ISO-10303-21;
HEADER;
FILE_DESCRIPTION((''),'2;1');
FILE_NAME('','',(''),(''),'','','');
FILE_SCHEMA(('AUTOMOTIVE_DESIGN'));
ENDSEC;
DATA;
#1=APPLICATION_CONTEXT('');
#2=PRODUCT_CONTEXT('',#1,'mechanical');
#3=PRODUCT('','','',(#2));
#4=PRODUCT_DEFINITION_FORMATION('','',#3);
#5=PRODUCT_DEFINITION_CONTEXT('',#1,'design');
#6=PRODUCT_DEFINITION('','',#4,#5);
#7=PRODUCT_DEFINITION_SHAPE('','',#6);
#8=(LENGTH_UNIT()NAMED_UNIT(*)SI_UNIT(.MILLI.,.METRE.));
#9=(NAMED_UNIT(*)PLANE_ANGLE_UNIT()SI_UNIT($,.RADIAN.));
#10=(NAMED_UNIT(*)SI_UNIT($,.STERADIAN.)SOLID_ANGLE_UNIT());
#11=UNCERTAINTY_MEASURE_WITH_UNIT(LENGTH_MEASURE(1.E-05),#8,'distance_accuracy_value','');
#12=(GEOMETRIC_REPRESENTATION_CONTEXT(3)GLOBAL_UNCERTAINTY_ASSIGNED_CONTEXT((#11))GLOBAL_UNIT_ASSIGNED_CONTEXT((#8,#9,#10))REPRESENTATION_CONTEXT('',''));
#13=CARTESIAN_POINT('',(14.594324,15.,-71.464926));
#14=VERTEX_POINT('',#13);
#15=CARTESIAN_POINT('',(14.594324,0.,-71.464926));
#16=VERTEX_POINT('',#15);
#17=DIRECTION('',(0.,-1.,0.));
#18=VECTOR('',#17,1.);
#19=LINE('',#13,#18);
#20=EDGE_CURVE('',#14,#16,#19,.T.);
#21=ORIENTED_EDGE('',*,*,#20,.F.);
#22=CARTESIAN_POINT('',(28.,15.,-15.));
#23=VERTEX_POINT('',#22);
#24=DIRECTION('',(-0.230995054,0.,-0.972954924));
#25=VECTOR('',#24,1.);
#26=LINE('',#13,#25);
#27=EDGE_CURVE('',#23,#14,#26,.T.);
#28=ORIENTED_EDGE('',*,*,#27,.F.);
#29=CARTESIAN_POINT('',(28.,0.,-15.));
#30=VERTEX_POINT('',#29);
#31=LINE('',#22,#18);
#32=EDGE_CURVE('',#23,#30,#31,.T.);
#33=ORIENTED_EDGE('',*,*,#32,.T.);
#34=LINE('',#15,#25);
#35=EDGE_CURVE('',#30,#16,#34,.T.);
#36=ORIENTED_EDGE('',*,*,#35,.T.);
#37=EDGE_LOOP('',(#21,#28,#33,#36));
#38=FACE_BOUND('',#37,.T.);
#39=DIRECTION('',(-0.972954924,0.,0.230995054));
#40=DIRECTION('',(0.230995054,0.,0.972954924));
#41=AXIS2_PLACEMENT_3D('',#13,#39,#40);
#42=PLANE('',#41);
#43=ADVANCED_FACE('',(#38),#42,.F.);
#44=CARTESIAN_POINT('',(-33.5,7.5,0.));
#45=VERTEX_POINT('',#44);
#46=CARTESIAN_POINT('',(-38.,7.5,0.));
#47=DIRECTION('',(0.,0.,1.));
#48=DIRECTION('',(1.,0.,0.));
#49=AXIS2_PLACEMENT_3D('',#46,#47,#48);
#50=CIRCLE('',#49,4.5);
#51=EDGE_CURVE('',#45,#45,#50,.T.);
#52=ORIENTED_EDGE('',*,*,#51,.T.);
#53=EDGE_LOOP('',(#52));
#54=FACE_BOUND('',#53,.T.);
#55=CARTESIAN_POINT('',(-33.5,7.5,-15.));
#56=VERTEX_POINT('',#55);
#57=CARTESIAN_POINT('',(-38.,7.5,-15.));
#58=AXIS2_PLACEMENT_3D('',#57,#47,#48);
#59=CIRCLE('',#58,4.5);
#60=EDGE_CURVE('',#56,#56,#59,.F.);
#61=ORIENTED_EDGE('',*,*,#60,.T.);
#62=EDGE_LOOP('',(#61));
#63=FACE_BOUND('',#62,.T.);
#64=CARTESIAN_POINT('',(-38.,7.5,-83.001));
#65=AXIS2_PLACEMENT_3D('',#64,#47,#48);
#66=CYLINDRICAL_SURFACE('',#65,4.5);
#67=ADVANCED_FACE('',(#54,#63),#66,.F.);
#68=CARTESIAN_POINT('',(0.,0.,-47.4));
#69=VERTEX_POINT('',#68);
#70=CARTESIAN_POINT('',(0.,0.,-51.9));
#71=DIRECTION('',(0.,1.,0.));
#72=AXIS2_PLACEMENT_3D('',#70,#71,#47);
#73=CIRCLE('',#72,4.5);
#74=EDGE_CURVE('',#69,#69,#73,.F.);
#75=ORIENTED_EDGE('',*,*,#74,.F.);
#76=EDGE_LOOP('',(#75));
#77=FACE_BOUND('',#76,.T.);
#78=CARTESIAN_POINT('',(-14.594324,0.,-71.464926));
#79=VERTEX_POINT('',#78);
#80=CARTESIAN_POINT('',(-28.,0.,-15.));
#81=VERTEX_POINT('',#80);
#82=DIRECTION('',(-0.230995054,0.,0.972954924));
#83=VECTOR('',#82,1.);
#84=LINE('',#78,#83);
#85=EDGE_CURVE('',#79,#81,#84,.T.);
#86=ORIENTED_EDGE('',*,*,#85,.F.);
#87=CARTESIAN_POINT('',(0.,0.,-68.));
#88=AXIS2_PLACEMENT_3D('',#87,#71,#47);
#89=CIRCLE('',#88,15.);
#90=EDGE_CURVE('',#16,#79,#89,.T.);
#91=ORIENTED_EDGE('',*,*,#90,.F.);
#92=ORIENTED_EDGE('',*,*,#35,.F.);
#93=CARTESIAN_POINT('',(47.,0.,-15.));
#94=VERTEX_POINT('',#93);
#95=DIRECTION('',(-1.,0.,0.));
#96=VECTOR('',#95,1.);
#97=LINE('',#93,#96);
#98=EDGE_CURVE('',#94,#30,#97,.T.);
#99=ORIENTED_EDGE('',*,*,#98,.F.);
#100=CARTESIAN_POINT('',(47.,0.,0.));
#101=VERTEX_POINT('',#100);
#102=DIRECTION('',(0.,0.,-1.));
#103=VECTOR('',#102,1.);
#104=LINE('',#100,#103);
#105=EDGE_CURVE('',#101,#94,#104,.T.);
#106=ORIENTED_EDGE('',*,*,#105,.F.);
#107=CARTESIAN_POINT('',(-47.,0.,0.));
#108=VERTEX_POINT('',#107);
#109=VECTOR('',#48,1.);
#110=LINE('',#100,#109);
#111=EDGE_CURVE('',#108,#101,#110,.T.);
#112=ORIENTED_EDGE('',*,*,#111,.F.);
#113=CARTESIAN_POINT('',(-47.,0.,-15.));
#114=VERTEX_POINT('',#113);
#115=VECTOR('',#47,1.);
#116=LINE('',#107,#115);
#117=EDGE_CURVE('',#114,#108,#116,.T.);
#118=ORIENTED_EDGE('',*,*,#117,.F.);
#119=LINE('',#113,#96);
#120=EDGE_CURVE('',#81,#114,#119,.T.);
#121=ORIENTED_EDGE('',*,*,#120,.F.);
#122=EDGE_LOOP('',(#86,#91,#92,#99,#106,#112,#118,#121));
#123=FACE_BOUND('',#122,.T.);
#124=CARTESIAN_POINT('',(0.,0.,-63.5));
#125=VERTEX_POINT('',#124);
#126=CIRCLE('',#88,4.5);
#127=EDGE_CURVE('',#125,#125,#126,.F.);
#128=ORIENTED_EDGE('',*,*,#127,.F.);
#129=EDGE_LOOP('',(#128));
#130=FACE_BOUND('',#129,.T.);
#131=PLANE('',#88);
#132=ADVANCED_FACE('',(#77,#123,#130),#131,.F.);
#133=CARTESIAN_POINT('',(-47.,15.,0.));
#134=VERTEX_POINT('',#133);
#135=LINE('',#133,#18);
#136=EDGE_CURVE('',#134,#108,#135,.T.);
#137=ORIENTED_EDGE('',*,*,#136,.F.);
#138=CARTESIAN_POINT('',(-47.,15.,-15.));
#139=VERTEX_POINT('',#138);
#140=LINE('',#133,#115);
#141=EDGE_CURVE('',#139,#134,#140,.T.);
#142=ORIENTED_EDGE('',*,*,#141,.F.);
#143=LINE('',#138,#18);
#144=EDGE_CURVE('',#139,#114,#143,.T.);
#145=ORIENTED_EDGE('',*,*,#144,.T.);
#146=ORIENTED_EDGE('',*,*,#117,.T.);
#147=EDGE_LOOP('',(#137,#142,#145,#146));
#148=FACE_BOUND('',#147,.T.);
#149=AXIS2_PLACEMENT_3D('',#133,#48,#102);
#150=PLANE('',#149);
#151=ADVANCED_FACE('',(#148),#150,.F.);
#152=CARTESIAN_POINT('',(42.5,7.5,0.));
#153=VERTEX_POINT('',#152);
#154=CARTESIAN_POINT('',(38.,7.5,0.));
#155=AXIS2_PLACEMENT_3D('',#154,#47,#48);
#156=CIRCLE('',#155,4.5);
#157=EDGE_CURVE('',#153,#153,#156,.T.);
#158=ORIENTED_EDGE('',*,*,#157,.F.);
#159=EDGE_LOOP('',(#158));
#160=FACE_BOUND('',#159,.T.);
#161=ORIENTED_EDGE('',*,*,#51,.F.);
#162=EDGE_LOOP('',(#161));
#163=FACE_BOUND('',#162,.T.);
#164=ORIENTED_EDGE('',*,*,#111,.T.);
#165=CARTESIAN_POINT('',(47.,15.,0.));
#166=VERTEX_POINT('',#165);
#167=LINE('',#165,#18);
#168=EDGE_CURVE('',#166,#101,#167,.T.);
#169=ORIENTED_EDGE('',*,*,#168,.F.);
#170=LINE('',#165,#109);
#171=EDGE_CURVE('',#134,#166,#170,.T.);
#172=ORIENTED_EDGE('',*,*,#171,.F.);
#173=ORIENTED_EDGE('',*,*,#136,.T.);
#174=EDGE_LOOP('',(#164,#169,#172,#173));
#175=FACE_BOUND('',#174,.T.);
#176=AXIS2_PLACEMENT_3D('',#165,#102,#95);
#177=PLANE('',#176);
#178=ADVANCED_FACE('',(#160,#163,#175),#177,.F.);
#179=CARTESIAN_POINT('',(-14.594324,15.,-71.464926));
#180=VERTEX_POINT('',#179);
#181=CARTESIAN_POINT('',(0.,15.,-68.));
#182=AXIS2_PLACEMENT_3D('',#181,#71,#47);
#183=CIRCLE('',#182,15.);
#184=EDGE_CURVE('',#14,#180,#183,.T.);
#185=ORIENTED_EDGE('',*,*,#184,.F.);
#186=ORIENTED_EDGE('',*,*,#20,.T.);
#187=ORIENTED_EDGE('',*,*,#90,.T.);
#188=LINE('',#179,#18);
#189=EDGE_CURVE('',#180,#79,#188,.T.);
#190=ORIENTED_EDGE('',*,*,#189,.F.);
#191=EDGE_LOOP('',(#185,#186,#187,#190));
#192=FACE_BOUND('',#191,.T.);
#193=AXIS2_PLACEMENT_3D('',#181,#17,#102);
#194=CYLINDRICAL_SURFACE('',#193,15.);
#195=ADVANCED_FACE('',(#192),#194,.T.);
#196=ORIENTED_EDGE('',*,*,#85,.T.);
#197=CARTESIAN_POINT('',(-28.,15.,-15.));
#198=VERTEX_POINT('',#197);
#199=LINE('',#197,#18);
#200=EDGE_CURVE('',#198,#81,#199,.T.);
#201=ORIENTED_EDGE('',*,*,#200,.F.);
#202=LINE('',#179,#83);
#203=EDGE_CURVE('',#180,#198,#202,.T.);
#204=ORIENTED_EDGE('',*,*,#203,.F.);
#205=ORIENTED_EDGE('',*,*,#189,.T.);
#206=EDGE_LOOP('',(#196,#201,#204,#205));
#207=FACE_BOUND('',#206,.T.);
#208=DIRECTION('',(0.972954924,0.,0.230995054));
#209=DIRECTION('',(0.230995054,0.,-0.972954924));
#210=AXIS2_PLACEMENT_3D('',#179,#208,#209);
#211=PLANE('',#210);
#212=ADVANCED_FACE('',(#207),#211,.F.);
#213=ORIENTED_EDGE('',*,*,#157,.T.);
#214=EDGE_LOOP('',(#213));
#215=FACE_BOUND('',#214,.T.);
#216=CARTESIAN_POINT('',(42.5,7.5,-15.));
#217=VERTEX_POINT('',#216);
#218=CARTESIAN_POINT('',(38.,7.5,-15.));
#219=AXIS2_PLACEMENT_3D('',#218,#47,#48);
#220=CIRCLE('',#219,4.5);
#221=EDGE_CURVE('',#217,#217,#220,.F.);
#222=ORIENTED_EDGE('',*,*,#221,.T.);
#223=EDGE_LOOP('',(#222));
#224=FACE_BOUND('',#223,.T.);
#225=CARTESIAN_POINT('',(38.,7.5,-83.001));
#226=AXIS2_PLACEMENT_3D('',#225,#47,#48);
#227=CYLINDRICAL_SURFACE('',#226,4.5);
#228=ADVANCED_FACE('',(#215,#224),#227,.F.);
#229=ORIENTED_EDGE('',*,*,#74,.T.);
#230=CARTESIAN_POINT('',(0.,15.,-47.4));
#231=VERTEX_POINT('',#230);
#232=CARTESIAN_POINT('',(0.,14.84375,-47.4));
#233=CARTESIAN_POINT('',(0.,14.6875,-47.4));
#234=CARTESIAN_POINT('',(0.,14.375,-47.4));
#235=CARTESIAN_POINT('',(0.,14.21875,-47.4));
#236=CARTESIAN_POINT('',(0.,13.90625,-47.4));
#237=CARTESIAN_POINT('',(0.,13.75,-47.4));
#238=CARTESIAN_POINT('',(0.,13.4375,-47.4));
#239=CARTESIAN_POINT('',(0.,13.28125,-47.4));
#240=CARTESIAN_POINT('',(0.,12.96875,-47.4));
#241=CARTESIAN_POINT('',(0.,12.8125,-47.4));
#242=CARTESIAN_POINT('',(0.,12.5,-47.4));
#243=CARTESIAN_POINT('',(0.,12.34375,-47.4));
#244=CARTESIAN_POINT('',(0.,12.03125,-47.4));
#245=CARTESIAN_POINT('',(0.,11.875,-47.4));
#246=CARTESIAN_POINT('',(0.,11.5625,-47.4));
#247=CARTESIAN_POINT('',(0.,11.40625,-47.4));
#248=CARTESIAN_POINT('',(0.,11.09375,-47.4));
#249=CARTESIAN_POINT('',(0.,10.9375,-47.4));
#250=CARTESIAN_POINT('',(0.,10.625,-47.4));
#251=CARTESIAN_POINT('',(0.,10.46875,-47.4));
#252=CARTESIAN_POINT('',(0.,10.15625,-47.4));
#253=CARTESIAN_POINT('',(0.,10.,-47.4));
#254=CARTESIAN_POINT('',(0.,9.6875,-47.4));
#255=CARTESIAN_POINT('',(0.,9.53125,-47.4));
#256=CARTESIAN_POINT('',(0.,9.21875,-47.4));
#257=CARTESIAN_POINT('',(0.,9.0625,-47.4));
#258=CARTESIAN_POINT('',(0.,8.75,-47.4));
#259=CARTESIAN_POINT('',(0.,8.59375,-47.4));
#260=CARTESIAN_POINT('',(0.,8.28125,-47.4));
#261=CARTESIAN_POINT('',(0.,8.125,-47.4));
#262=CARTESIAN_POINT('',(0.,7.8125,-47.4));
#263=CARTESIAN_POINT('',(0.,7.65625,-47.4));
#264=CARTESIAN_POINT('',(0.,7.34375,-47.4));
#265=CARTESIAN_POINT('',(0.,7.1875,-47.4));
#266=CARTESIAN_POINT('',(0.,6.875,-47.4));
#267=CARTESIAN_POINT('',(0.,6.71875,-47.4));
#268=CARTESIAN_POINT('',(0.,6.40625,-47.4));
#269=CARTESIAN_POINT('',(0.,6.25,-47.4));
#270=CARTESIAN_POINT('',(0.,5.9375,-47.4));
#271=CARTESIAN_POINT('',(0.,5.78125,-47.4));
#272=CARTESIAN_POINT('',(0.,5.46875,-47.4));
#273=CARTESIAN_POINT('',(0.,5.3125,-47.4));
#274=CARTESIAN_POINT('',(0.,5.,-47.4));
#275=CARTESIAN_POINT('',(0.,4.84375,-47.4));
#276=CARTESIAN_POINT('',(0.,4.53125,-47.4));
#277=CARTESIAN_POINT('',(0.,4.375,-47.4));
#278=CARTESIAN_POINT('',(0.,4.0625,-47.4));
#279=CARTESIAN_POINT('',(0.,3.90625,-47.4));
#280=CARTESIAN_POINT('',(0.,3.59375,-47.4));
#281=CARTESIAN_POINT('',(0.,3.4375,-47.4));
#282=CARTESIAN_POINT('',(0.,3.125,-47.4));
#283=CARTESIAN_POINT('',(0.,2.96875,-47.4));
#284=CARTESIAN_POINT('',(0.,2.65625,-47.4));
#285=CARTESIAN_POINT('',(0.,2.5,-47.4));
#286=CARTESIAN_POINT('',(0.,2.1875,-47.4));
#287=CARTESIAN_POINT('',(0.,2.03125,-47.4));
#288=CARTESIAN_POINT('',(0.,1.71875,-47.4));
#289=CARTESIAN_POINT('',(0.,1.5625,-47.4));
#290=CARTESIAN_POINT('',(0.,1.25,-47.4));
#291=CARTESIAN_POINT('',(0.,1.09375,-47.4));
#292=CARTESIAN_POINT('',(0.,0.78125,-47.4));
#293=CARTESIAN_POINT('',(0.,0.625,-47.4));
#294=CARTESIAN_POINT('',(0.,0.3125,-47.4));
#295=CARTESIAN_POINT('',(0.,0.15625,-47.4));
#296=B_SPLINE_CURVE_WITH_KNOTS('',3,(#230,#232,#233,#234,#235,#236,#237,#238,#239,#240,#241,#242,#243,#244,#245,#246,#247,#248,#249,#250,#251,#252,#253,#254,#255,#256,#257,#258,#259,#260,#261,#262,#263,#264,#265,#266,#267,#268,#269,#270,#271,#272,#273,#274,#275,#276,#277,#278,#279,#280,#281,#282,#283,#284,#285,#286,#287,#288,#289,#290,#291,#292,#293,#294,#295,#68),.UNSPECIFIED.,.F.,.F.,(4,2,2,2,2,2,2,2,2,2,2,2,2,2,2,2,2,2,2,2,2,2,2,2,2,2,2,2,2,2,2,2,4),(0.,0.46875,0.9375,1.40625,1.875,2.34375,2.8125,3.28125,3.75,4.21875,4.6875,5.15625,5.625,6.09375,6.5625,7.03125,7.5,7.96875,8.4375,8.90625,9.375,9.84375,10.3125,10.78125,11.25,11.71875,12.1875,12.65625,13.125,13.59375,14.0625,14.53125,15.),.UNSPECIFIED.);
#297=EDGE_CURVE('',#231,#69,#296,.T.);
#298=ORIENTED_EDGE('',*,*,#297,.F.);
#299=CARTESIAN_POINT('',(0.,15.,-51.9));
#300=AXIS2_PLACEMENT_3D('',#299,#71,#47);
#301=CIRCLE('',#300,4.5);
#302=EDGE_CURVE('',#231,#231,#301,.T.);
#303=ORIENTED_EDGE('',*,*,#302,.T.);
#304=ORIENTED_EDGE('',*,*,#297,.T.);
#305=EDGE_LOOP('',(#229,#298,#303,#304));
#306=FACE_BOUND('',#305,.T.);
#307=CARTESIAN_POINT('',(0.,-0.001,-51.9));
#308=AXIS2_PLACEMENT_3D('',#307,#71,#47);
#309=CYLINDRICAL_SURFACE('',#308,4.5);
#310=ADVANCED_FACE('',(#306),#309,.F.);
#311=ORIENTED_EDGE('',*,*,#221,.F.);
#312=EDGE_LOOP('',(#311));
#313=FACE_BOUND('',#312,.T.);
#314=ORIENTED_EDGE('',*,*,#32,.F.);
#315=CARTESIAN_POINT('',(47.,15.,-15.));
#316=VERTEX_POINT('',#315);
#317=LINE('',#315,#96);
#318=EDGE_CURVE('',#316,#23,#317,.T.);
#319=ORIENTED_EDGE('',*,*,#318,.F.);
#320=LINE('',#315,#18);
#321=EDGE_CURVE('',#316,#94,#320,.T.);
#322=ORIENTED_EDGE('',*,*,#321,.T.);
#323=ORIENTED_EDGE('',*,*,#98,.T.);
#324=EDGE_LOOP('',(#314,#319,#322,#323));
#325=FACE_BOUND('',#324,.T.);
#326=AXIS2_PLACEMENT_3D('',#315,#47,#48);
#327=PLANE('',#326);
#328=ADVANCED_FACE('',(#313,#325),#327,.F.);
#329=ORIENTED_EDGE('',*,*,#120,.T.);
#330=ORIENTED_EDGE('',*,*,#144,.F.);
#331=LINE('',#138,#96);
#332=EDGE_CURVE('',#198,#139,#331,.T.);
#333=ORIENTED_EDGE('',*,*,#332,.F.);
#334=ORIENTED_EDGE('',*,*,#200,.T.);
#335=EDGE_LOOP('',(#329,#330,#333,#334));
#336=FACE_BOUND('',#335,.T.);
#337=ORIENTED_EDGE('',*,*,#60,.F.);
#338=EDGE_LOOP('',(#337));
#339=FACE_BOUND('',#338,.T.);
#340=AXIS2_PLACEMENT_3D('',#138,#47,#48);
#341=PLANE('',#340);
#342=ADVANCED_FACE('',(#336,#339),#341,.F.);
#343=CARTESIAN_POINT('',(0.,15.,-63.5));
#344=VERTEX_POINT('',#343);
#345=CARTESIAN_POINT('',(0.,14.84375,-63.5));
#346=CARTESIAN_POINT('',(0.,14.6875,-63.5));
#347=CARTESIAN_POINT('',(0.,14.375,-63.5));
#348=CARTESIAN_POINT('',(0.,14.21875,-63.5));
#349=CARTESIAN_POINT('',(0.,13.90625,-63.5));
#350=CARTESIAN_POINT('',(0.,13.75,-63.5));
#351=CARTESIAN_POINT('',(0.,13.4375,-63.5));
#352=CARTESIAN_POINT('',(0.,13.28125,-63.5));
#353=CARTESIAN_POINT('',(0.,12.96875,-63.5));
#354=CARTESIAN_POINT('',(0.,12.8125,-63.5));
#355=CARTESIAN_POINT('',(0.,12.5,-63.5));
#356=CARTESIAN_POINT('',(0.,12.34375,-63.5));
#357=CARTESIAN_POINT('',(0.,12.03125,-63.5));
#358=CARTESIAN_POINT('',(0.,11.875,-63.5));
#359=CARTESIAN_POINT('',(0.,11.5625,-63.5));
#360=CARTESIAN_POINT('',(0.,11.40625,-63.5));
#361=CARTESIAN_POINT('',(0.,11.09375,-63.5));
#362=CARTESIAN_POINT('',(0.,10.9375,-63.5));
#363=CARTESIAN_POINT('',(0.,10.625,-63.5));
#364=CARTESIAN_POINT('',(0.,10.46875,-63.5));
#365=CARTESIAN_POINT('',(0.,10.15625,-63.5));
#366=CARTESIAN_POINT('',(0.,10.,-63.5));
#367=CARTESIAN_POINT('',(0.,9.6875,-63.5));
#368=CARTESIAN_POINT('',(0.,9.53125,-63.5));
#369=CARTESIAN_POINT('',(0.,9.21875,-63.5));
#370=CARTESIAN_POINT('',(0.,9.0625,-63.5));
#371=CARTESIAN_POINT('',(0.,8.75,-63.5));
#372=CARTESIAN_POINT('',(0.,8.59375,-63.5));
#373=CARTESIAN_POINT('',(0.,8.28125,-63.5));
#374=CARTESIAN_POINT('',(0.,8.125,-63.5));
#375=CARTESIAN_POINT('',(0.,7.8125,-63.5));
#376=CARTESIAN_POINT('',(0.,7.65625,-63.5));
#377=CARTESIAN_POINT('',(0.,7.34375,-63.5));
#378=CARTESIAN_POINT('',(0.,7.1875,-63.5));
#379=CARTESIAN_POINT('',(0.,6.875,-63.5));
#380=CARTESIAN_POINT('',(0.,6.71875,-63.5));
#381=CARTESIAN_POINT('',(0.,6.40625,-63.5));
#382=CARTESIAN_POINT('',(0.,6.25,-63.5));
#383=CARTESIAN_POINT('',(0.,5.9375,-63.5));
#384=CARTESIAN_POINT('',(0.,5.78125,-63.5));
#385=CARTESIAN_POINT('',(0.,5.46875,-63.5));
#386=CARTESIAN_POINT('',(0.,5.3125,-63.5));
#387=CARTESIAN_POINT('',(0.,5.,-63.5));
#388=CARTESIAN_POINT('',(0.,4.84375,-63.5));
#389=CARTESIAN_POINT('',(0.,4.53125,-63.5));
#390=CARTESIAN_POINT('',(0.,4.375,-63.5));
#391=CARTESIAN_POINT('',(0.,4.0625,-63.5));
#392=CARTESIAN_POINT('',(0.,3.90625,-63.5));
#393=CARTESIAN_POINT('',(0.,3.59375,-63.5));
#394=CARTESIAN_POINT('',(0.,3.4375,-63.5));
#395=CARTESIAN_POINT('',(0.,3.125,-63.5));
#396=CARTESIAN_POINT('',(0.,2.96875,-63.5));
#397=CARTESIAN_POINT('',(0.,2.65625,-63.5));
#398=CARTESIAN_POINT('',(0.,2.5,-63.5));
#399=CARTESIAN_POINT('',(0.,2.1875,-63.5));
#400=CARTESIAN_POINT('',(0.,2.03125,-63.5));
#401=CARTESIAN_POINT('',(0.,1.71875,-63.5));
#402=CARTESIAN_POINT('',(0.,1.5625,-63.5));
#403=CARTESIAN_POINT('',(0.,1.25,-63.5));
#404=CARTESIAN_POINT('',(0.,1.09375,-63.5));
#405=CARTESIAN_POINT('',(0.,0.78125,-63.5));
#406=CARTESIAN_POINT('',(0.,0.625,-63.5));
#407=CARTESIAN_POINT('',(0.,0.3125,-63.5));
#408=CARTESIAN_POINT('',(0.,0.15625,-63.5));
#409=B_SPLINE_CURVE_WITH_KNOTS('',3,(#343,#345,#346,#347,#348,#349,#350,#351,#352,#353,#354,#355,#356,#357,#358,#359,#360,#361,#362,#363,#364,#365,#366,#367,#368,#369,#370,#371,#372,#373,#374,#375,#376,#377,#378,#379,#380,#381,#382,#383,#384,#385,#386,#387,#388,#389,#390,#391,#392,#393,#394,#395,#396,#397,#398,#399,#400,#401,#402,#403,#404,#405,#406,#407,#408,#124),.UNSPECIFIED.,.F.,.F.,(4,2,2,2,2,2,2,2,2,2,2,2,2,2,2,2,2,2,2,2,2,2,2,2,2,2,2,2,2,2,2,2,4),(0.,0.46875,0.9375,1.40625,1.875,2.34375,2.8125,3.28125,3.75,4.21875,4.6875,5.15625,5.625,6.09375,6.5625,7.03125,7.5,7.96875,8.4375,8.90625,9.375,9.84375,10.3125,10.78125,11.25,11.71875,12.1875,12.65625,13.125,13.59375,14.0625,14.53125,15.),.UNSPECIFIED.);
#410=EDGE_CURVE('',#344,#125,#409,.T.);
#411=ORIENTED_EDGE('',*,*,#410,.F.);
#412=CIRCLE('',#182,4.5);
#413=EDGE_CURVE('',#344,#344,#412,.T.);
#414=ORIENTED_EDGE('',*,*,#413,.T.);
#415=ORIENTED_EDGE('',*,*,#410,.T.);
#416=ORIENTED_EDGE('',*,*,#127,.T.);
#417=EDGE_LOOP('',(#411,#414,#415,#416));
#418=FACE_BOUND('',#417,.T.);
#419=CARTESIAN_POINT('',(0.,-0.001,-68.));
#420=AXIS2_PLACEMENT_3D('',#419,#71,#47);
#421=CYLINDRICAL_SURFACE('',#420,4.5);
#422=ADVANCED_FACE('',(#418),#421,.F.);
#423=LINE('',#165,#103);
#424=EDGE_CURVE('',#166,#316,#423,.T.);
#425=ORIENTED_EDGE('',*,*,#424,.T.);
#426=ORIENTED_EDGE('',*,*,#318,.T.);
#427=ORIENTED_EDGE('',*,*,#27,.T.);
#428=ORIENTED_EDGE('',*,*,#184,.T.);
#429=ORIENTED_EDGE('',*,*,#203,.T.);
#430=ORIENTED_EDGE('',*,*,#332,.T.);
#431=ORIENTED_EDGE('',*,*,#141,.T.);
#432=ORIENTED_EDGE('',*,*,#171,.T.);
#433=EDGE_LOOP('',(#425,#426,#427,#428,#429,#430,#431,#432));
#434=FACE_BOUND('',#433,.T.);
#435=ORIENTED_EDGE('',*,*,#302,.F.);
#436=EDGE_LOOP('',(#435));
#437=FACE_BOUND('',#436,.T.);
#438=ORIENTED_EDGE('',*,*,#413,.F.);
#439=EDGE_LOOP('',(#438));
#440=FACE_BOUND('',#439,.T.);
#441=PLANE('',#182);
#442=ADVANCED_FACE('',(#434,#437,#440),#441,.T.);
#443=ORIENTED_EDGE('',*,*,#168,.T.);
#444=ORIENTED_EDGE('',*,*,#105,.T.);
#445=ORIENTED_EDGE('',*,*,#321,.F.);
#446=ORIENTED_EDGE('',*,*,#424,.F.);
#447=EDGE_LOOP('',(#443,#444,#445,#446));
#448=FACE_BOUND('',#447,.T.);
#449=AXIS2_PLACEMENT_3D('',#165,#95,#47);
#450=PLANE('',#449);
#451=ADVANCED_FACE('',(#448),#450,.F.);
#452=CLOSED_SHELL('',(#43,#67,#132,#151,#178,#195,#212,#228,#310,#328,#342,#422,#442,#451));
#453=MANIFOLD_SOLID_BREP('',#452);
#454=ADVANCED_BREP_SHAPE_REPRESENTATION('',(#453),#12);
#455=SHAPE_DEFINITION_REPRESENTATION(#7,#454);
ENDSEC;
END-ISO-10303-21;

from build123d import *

# Parameters (mm, degrees)
SALIENTE_EXTRUIR1_DEPTH = 15
CORTAR_EXTRUIR1_REACH   = 98.556
CROQUIS2_R              = 4.5
CORTAR_EXTRUIR2_REACH   = 98.556
CROQUIS3_R              = 4.5


with BuildPart() as part:
    # Croquis1 → Saliente-Extruir1 (new body)
    with BuildSketch(Plane(origin=(0, 0, 0), x_dir=(1, 0, 0), z_dir=(0, 1, 0))):
        with BuildLine():
            Line((47, 0), (-47, 0))
            Line((-47, 0), (-47, 15))
            Line((-47, 15), (-28, 15))
            Line((-28, 15), (-14.594323866, 71.464925816))
            ThreePointArc((-14.594323866, 71.464925816), (0, 83), (14.594323866, 71.464925816))
            Line((14.594323866, 71.464925816), (28, 15))
            Line((28, 15), (47, 15))
            Line((47, 15), (47, 0))
        make_face()
    extrude(amount=SALIENTE_EXTRUIR1_DEPTH)

    # Croquis2 → Cortar-Extruir1 (cut, up to next)
    with BuildSketch(Plane.XY, mode=Mode.PRIVATE) as cortar_extruir1_sk1:
        with Locations((-38, 7.5)):
            Circle(CROQUIS2_R)
    cortar_extruir1_tool1 = extrude(cortar_extruir1_sk1.sketch, amount=-CORTAR_EXTRUIR1_REACH, mode=Mode.PRIVATE) & part.part
    # Croquis2 → Cortar-Extruir1 (cut, up to next)
    with BuildSketch(Plane.XY, mode=Mode.PRIVATE) as cortar_extruir1_sk2:
        with Locations((38, 7.5)):
            Circle(CROQUIS2_R)
    cortar_extruir1_tool2 = extrude(cortar_extruir1_sk2.sketch, amount=-CORTAR_EXTRUIR1_REACH, mode=Mode.PRIVATE) & part.part
    add(cortar_extruir1_tool1.solids().sort_by_distance((-38, 7.5, 0))[0], mode=Mode.SUBTRACT)
    add(cortar_extruir1_tool2.solids().sort_by_distance((38, 7.5, 0))[0], mode=Mode.SUBTRACT)

    # Croquis3 → Cortar-Extruir2 (cut, up to next)
    with BuildSketch(Plane(origin=(0, 15, 0), x_dir=(1, 0, 0), z_dir=(0, 1, 0)), mode=Mode.PRIVATE) as cortar_extruir2_sk1:
        with Locations(Location((0, 68, 0), (0, 0, 270))):
            Circle(CROQUIS3_R)
    cortar_extruir2_tool1 = extrude(cortar_extruir2_sk1.sketch, amount=-CORTAR_EXTRUIR2_REACH, mode=Mode.PRIVATE) & part.part
    # Croquis3 → Cortar-Extruir2 (cut, up to next)
    with BuildSketch(Plane(origin=(0, 15, 0), x_dir=(1, 0, 0), z_dir=(0, 1, 0)), mode=Mode.PRIVATE) as cortar_extruir2_sk2:
        with Locations(Location((0, 51.9, 0), (0, 0, 270))):
            Circle(CROQUIS3_R)
    cortar_extruir2_tool2 = extrude(cortar_extruir2_sk2.sketch, amount=-CORTAR_EXTRUIR2_REACH, mode=Mode.PRIVATE) & part.part
    add(cortar_extruir2_tool1.solids().sort_by_distance((0, 15, -68))[0], mode=Mode.SUBTRACT)
    add(cortar_extruir2_tool2.solids().sort_by_distance((0, 15, -51.9))[0], mode=Mode.SUBTRACT)


solid = part.part
